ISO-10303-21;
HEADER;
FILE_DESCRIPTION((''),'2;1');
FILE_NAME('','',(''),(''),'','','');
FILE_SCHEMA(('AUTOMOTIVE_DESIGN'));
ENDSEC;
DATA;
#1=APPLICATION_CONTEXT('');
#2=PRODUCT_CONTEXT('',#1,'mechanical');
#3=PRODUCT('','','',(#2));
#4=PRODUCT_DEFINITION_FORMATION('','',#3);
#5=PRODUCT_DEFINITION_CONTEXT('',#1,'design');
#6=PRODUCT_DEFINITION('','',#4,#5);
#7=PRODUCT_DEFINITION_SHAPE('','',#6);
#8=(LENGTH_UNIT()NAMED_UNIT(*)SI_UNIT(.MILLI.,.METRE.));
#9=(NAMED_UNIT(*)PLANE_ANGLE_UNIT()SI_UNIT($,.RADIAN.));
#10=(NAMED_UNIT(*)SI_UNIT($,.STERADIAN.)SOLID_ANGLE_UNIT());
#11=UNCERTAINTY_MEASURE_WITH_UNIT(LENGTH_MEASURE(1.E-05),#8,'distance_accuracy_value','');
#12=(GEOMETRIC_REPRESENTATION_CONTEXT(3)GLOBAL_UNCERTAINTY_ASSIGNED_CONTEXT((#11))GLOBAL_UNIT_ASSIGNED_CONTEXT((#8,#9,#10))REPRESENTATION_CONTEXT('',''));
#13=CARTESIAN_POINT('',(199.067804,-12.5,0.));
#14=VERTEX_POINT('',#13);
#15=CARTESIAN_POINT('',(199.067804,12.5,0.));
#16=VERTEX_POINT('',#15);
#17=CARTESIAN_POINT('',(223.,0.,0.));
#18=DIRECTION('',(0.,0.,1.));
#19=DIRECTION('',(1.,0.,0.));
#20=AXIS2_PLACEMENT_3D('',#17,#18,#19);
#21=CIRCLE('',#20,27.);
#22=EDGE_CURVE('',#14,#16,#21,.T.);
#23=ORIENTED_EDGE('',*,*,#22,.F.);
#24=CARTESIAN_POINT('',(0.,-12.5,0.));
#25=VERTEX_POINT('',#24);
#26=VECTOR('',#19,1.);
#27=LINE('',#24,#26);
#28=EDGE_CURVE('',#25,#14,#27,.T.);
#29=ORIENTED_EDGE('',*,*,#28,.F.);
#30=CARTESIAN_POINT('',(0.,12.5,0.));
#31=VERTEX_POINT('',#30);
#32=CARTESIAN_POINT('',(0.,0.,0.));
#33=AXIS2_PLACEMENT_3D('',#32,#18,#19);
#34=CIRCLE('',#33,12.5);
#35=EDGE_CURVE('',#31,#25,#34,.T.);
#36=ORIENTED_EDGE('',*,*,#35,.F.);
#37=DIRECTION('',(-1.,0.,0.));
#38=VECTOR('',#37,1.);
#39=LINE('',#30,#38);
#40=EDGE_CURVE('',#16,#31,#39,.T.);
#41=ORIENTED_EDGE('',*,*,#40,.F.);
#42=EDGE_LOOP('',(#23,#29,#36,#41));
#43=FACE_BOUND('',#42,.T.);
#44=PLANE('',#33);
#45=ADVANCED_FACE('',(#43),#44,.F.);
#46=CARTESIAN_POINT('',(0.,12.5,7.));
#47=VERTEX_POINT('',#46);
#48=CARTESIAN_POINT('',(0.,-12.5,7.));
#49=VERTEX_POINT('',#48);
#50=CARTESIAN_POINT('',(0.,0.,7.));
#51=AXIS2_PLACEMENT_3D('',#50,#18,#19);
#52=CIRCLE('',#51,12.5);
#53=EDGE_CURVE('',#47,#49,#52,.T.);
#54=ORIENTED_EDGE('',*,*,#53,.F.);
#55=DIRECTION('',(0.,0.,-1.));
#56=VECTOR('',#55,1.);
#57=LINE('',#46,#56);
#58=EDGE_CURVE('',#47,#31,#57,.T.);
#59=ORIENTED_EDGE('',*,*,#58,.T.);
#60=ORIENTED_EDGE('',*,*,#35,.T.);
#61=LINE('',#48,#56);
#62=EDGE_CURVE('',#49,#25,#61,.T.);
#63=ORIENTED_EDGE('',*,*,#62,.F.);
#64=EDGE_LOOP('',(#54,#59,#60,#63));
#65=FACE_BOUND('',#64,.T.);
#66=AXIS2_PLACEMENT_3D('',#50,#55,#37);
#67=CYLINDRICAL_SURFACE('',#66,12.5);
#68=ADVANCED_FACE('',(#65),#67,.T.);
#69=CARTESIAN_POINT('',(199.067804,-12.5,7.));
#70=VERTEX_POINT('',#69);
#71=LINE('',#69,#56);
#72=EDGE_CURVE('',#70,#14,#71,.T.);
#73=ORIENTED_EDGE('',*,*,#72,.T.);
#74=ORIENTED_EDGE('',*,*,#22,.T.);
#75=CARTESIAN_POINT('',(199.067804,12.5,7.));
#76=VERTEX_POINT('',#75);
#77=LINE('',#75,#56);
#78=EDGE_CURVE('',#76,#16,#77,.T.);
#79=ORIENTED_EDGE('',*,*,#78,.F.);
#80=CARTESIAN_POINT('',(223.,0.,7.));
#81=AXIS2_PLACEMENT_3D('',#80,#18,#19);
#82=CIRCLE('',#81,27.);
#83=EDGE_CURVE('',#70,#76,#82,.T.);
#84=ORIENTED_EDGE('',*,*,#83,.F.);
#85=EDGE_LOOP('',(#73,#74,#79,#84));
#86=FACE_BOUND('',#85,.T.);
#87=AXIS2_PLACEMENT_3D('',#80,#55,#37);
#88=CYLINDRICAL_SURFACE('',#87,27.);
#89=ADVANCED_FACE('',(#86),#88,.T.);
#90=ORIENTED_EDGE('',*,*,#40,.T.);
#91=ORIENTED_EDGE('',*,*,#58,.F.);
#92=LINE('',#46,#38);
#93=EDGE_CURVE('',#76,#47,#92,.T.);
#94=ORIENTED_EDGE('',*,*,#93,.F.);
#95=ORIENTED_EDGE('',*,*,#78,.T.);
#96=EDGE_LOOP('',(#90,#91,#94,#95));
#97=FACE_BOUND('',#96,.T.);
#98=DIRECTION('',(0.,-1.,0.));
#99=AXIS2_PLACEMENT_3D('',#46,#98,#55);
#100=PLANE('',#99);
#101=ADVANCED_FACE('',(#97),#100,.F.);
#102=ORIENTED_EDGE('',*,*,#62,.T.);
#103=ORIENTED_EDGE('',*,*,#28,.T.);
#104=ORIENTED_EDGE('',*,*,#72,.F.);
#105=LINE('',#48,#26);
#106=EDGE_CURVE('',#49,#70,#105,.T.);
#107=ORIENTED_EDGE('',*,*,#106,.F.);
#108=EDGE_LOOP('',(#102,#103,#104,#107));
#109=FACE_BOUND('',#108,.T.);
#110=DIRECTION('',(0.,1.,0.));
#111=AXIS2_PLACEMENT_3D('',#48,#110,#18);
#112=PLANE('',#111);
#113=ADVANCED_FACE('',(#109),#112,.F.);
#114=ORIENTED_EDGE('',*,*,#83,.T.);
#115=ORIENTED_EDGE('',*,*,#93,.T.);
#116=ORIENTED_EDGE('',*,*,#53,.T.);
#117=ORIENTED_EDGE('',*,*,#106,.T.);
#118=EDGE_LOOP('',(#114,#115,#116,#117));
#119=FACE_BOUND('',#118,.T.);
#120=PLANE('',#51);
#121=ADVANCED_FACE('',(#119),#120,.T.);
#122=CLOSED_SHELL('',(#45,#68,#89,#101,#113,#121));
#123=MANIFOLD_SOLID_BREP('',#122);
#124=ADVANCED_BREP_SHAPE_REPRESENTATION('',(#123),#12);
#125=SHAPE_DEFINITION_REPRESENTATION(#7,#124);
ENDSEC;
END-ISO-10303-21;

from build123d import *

# Parameters (mm, degrees)
EXTRUDE_1_DEPTH = 7


with BuildPart() as part:
    # 草图1 → 凸台-拉伸1 (new body)
    with BuildSketch(Plane.XY):
        with BuildLine():
            Line((0, 12.5), (199.067804112, 12.5))
            ThreePointArc((199.067804112, 12.5), (250, 0), (199.067804112, -12.5))
            Line((199.067804112, -12.5), (0, -12.5))
            ThreePointArc((0, -12.5), (-12.5, 0), (0, 12.5))
        make_face()
    extrude(amount=EXTRUDE_1_DEPTH)


solid = part.part
